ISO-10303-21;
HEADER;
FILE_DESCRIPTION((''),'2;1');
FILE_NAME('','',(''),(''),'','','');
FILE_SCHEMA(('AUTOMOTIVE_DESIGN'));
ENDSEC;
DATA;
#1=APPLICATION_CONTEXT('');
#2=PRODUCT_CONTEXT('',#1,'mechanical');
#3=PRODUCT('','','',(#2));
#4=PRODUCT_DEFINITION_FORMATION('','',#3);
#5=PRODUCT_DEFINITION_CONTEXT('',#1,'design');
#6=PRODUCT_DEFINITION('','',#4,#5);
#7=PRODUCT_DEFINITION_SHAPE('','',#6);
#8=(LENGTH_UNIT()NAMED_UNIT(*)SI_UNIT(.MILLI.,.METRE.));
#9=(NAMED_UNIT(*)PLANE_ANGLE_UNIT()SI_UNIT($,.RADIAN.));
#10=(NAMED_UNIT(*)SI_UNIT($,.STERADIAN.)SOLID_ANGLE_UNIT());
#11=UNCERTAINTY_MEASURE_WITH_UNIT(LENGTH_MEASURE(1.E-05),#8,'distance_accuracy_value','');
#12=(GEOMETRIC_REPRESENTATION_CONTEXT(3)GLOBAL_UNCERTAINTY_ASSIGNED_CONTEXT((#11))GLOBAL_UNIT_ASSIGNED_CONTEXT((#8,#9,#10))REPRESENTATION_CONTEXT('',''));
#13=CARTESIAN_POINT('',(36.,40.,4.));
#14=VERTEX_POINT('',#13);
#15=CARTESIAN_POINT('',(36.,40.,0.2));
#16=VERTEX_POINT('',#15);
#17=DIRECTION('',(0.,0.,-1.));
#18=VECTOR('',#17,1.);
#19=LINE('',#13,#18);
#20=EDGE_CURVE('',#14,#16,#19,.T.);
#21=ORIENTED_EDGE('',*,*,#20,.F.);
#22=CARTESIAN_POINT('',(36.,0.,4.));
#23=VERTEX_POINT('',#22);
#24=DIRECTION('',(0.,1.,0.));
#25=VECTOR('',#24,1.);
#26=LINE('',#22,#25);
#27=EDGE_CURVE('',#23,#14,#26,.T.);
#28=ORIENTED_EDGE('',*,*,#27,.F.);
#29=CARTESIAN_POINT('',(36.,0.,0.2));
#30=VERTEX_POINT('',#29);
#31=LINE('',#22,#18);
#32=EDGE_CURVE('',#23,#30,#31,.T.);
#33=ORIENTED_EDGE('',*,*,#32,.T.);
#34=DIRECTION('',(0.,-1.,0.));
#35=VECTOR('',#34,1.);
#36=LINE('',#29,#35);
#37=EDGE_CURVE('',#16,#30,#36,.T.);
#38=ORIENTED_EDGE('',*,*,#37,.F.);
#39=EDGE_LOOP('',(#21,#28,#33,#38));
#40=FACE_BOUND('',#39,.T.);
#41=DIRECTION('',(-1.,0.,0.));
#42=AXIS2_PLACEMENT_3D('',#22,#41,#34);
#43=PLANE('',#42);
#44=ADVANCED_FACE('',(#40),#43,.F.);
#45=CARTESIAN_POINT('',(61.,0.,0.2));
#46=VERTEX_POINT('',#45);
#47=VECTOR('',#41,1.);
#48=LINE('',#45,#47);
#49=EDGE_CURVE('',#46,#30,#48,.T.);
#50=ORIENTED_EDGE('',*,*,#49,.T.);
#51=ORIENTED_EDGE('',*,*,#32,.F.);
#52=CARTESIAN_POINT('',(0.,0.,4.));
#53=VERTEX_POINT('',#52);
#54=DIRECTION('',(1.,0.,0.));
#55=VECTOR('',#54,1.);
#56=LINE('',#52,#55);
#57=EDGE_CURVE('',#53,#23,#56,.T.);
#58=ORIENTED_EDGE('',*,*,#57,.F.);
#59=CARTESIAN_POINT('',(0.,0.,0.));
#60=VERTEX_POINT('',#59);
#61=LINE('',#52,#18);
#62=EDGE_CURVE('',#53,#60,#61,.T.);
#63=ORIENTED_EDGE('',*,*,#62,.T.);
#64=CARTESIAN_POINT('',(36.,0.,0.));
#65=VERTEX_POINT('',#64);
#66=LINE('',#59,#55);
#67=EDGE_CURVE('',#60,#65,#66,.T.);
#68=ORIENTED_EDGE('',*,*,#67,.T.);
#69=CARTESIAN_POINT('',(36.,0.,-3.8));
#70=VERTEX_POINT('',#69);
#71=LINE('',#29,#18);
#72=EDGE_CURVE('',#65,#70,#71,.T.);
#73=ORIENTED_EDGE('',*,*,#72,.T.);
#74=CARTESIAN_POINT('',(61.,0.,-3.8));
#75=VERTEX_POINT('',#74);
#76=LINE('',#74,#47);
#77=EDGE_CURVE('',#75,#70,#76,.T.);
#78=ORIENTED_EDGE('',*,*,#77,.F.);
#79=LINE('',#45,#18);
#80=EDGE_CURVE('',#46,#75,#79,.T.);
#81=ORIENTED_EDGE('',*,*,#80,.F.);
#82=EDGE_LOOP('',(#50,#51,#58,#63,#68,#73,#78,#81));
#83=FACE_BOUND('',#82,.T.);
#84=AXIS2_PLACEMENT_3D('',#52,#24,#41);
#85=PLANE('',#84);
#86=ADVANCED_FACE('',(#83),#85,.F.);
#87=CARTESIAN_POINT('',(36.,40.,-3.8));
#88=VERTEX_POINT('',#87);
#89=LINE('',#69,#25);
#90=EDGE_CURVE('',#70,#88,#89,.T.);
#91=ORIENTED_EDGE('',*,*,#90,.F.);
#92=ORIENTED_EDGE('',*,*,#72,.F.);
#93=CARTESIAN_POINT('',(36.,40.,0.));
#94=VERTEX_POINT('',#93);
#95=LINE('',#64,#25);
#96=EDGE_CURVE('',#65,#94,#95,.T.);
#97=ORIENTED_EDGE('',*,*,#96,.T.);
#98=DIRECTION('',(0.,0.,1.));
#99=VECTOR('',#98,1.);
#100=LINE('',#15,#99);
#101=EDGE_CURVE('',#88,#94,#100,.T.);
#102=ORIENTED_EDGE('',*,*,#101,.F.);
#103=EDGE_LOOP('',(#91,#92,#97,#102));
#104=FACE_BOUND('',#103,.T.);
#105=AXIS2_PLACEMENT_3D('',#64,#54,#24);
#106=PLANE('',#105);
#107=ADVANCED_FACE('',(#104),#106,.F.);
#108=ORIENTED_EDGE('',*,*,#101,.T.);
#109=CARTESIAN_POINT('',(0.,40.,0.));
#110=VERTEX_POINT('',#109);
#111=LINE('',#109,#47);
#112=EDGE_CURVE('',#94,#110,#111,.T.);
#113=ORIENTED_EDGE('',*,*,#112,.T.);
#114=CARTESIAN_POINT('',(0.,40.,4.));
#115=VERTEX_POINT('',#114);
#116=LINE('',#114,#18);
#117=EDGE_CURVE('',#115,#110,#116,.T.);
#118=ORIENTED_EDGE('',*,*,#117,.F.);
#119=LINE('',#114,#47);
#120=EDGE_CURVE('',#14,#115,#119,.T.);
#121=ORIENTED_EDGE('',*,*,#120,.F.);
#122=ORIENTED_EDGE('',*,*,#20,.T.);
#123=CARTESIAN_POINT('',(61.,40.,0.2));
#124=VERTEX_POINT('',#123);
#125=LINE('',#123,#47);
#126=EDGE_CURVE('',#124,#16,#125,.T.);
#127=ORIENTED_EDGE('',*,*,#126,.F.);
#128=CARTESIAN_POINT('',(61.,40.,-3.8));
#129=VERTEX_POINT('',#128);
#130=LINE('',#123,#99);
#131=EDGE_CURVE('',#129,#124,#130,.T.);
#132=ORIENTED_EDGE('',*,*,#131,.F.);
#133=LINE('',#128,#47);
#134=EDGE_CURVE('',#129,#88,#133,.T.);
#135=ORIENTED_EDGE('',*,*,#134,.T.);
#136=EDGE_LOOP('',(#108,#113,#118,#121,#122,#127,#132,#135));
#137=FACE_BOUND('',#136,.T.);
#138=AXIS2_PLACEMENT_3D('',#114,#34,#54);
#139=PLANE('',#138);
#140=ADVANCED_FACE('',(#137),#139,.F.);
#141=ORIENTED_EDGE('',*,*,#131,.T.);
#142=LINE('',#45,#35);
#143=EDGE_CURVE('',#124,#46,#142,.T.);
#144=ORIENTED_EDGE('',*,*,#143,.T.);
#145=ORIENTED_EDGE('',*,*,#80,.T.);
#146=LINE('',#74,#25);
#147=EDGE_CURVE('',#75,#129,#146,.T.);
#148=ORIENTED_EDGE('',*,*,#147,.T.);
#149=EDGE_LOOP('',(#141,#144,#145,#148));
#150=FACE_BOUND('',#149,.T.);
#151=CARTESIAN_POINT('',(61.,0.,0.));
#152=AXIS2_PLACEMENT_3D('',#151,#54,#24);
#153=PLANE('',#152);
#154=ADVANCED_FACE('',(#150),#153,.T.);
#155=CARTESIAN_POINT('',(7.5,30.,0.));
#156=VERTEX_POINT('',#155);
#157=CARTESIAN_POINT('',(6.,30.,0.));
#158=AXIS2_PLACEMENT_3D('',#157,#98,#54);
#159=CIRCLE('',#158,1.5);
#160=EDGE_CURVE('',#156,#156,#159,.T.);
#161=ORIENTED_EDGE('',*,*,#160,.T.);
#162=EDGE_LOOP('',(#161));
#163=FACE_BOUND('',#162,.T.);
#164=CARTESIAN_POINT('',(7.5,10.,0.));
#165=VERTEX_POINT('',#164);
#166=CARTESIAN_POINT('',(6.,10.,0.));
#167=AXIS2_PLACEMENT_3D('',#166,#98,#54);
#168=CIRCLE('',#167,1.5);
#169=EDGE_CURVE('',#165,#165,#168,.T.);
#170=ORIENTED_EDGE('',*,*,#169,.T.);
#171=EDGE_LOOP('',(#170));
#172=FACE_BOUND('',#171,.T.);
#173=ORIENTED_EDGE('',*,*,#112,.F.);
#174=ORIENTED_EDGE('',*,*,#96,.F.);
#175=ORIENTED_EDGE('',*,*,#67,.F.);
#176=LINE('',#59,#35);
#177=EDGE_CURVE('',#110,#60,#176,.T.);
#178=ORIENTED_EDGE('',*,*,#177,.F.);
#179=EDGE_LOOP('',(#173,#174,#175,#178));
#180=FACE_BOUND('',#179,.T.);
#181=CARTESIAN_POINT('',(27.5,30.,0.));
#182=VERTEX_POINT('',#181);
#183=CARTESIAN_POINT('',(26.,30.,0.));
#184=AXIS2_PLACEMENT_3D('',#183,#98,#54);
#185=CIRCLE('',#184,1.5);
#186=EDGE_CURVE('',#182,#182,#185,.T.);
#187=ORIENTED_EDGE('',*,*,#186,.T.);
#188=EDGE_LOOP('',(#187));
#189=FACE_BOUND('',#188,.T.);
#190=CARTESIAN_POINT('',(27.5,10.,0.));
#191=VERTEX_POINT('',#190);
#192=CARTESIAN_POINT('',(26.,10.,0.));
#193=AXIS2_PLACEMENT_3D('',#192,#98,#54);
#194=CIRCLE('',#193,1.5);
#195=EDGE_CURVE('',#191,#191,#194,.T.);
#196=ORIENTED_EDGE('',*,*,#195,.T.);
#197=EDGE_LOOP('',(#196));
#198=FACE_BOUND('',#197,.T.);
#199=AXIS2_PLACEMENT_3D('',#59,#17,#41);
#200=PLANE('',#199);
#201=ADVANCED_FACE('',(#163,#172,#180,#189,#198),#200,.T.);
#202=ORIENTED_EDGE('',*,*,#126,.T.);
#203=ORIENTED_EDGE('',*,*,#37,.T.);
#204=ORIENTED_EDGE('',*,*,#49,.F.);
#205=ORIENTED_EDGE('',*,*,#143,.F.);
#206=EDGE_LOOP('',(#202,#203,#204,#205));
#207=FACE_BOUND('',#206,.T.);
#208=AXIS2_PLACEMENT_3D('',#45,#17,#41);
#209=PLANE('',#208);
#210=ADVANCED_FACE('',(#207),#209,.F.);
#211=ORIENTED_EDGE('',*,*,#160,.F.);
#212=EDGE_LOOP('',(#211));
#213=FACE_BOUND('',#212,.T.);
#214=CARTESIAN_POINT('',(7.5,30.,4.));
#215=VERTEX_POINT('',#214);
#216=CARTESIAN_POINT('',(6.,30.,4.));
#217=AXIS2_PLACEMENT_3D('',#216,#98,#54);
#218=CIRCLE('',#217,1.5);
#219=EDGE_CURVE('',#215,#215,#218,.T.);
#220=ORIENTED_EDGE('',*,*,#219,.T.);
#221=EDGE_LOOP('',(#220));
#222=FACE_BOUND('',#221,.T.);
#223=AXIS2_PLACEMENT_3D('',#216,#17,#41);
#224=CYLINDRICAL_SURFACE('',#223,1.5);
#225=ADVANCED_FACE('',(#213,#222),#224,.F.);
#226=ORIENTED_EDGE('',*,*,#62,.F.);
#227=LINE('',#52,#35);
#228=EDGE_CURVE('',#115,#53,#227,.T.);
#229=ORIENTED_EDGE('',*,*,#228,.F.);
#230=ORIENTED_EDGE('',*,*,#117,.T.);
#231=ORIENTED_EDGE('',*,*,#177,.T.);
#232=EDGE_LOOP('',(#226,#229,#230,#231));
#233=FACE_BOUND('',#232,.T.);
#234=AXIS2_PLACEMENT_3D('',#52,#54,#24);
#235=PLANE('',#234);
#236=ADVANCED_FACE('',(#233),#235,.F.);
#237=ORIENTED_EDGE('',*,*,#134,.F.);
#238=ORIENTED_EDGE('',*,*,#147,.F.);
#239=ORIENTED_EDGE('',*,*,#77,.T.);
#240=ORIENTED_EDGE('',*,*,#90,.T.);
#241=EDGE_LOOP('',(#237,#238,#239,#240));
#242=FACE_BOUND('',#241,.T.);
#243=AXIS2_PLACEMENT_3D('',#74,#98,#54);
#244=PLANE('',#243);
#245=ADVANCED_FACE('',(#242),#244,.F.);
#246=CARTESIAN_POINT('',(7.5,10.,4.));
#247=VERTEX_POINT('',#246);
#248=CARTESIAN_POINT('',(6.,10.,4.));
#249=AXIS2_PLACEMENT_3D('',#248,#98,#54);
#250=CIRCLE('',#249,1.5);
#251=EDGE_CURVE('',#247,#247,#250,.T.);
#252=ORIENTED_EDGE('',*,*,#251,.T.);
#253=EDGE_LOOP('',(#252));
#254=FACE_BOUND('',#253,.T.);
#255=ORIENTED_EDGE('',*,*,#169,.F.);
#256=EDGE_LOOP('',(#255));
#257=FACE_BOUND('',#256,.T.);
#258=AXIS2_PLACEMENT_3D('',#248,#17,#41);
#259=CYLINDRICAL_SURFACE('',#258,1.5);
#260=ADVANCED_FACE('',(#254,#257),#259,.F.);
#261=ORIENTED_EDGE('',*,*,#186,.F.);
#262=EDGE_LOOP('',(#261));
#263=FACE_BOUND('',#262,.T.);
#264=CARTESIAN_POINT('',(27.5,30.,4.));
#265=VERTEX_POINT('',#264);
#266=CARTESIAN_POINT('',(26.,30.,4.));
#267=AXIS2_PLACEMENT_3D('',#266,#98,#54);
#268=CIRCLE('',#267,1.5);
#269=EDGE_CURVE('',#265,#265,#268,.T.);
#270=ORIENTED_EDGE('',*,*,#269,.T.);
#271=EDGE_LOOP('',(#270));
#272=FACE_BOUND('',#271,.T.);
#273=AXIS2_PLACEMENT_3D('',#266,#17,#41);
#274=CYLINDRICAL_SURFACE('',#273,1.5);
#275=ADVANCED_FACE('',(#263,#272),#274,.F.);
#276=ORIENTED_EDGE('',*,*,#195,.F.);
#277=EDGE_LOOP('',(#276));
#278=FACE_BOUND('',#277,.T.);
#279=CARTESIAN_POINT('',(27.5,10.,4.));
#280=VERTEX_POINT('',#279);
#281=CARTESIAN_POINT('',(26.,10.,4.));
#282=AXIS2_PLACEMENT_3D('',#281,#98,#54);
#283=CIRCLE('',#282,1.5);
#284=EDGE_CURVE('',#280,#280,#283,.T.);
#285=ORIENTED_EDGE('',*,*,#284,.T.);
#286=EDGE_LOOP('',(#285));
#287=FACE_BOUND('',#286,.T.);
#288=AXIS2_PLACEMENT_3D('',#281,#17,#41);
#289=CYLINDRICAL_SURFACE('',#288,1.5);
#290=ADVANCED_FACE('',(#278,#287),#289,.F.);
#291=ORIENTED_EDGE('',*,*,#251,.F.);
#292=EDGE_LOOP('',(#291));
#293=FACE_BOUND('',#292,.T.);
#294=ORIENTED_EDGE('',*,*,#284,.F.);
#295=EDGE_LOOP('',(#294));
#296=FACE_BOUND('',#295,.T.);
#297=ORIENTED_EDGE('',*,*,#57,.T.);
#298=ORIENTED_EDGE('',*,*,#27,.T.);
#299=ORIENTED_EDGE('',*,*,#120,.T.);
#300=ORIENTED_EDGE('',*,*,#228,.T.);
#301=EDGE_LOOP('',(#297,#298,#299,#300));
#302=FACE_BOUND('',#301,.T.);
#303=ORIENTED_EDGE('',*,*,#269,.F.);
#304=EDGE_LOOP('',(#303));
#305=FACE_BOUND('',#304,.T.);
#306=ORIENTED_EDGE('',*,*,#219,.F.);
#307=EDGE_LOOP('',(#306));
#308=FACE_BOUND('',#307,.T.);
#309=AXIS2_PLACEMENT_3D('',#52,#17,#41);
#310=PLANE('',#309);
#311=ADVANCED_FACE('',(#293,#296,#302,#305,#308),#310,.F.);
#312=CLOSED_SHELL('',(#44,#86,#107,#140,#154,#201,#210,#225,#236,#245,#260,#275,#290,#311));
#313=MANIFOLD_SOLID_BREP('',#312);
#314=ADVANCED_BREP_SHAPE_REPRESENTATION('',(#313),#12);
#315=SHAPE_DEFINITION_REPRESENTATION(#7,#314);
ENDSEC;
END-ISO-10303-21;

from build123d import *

# Parameters (mm, degrees)
SKETCH_1_W      = 36
SKETCH_1_H      = 40
SKETCH_1_R      = 1.5
EXTRUDE_1_DEPTH = 4
SKETCH_13_W     = 4
SKETCH_13_H     = 40
EXTRUDE_2_DEPTH = 25


with BuildPart() as part:
    # Эскиз1 → Бобышка-Вытянуть1 (new body)
    with BuildSketch(Plane.XY):
        with Locations((18, 20)):
            Rectangle(SKETCH_1_W, SKETCH_1_H)
        with Locations((6, 30)):
            Circle(SKETCH_1_R, mode=Mode.SUBTRACT)
        with Locations((26, 30)):
            Circle(SKETCH_1_R, mode=Mode.SUBTRACT)
        with Locations((26, 10)):
            Circle(SKETCH_1_R, mode=Mode.SUBTRACT)
        with Locations((6, 10)):
            Circle(SKETCH_1_R, mode=Mode.SUBTRACT)
    extrude(amount=EXTRUDE_1_DEPTH)

    # Эскиз13 → Бобышка-Вытянуть2 (add)
    with BuildSketch(Plane(origin=(36, 0, 0), x_dir=(0, 0, -1), z_dir=(1, 0, 0))):
        with Locations((1.8, 20)):
            Rectangle(SKETCH_13_W, SKETCH_13_H)
    extrude(amount=EXTRUDE_2_DEPTH)


solid = part.part
